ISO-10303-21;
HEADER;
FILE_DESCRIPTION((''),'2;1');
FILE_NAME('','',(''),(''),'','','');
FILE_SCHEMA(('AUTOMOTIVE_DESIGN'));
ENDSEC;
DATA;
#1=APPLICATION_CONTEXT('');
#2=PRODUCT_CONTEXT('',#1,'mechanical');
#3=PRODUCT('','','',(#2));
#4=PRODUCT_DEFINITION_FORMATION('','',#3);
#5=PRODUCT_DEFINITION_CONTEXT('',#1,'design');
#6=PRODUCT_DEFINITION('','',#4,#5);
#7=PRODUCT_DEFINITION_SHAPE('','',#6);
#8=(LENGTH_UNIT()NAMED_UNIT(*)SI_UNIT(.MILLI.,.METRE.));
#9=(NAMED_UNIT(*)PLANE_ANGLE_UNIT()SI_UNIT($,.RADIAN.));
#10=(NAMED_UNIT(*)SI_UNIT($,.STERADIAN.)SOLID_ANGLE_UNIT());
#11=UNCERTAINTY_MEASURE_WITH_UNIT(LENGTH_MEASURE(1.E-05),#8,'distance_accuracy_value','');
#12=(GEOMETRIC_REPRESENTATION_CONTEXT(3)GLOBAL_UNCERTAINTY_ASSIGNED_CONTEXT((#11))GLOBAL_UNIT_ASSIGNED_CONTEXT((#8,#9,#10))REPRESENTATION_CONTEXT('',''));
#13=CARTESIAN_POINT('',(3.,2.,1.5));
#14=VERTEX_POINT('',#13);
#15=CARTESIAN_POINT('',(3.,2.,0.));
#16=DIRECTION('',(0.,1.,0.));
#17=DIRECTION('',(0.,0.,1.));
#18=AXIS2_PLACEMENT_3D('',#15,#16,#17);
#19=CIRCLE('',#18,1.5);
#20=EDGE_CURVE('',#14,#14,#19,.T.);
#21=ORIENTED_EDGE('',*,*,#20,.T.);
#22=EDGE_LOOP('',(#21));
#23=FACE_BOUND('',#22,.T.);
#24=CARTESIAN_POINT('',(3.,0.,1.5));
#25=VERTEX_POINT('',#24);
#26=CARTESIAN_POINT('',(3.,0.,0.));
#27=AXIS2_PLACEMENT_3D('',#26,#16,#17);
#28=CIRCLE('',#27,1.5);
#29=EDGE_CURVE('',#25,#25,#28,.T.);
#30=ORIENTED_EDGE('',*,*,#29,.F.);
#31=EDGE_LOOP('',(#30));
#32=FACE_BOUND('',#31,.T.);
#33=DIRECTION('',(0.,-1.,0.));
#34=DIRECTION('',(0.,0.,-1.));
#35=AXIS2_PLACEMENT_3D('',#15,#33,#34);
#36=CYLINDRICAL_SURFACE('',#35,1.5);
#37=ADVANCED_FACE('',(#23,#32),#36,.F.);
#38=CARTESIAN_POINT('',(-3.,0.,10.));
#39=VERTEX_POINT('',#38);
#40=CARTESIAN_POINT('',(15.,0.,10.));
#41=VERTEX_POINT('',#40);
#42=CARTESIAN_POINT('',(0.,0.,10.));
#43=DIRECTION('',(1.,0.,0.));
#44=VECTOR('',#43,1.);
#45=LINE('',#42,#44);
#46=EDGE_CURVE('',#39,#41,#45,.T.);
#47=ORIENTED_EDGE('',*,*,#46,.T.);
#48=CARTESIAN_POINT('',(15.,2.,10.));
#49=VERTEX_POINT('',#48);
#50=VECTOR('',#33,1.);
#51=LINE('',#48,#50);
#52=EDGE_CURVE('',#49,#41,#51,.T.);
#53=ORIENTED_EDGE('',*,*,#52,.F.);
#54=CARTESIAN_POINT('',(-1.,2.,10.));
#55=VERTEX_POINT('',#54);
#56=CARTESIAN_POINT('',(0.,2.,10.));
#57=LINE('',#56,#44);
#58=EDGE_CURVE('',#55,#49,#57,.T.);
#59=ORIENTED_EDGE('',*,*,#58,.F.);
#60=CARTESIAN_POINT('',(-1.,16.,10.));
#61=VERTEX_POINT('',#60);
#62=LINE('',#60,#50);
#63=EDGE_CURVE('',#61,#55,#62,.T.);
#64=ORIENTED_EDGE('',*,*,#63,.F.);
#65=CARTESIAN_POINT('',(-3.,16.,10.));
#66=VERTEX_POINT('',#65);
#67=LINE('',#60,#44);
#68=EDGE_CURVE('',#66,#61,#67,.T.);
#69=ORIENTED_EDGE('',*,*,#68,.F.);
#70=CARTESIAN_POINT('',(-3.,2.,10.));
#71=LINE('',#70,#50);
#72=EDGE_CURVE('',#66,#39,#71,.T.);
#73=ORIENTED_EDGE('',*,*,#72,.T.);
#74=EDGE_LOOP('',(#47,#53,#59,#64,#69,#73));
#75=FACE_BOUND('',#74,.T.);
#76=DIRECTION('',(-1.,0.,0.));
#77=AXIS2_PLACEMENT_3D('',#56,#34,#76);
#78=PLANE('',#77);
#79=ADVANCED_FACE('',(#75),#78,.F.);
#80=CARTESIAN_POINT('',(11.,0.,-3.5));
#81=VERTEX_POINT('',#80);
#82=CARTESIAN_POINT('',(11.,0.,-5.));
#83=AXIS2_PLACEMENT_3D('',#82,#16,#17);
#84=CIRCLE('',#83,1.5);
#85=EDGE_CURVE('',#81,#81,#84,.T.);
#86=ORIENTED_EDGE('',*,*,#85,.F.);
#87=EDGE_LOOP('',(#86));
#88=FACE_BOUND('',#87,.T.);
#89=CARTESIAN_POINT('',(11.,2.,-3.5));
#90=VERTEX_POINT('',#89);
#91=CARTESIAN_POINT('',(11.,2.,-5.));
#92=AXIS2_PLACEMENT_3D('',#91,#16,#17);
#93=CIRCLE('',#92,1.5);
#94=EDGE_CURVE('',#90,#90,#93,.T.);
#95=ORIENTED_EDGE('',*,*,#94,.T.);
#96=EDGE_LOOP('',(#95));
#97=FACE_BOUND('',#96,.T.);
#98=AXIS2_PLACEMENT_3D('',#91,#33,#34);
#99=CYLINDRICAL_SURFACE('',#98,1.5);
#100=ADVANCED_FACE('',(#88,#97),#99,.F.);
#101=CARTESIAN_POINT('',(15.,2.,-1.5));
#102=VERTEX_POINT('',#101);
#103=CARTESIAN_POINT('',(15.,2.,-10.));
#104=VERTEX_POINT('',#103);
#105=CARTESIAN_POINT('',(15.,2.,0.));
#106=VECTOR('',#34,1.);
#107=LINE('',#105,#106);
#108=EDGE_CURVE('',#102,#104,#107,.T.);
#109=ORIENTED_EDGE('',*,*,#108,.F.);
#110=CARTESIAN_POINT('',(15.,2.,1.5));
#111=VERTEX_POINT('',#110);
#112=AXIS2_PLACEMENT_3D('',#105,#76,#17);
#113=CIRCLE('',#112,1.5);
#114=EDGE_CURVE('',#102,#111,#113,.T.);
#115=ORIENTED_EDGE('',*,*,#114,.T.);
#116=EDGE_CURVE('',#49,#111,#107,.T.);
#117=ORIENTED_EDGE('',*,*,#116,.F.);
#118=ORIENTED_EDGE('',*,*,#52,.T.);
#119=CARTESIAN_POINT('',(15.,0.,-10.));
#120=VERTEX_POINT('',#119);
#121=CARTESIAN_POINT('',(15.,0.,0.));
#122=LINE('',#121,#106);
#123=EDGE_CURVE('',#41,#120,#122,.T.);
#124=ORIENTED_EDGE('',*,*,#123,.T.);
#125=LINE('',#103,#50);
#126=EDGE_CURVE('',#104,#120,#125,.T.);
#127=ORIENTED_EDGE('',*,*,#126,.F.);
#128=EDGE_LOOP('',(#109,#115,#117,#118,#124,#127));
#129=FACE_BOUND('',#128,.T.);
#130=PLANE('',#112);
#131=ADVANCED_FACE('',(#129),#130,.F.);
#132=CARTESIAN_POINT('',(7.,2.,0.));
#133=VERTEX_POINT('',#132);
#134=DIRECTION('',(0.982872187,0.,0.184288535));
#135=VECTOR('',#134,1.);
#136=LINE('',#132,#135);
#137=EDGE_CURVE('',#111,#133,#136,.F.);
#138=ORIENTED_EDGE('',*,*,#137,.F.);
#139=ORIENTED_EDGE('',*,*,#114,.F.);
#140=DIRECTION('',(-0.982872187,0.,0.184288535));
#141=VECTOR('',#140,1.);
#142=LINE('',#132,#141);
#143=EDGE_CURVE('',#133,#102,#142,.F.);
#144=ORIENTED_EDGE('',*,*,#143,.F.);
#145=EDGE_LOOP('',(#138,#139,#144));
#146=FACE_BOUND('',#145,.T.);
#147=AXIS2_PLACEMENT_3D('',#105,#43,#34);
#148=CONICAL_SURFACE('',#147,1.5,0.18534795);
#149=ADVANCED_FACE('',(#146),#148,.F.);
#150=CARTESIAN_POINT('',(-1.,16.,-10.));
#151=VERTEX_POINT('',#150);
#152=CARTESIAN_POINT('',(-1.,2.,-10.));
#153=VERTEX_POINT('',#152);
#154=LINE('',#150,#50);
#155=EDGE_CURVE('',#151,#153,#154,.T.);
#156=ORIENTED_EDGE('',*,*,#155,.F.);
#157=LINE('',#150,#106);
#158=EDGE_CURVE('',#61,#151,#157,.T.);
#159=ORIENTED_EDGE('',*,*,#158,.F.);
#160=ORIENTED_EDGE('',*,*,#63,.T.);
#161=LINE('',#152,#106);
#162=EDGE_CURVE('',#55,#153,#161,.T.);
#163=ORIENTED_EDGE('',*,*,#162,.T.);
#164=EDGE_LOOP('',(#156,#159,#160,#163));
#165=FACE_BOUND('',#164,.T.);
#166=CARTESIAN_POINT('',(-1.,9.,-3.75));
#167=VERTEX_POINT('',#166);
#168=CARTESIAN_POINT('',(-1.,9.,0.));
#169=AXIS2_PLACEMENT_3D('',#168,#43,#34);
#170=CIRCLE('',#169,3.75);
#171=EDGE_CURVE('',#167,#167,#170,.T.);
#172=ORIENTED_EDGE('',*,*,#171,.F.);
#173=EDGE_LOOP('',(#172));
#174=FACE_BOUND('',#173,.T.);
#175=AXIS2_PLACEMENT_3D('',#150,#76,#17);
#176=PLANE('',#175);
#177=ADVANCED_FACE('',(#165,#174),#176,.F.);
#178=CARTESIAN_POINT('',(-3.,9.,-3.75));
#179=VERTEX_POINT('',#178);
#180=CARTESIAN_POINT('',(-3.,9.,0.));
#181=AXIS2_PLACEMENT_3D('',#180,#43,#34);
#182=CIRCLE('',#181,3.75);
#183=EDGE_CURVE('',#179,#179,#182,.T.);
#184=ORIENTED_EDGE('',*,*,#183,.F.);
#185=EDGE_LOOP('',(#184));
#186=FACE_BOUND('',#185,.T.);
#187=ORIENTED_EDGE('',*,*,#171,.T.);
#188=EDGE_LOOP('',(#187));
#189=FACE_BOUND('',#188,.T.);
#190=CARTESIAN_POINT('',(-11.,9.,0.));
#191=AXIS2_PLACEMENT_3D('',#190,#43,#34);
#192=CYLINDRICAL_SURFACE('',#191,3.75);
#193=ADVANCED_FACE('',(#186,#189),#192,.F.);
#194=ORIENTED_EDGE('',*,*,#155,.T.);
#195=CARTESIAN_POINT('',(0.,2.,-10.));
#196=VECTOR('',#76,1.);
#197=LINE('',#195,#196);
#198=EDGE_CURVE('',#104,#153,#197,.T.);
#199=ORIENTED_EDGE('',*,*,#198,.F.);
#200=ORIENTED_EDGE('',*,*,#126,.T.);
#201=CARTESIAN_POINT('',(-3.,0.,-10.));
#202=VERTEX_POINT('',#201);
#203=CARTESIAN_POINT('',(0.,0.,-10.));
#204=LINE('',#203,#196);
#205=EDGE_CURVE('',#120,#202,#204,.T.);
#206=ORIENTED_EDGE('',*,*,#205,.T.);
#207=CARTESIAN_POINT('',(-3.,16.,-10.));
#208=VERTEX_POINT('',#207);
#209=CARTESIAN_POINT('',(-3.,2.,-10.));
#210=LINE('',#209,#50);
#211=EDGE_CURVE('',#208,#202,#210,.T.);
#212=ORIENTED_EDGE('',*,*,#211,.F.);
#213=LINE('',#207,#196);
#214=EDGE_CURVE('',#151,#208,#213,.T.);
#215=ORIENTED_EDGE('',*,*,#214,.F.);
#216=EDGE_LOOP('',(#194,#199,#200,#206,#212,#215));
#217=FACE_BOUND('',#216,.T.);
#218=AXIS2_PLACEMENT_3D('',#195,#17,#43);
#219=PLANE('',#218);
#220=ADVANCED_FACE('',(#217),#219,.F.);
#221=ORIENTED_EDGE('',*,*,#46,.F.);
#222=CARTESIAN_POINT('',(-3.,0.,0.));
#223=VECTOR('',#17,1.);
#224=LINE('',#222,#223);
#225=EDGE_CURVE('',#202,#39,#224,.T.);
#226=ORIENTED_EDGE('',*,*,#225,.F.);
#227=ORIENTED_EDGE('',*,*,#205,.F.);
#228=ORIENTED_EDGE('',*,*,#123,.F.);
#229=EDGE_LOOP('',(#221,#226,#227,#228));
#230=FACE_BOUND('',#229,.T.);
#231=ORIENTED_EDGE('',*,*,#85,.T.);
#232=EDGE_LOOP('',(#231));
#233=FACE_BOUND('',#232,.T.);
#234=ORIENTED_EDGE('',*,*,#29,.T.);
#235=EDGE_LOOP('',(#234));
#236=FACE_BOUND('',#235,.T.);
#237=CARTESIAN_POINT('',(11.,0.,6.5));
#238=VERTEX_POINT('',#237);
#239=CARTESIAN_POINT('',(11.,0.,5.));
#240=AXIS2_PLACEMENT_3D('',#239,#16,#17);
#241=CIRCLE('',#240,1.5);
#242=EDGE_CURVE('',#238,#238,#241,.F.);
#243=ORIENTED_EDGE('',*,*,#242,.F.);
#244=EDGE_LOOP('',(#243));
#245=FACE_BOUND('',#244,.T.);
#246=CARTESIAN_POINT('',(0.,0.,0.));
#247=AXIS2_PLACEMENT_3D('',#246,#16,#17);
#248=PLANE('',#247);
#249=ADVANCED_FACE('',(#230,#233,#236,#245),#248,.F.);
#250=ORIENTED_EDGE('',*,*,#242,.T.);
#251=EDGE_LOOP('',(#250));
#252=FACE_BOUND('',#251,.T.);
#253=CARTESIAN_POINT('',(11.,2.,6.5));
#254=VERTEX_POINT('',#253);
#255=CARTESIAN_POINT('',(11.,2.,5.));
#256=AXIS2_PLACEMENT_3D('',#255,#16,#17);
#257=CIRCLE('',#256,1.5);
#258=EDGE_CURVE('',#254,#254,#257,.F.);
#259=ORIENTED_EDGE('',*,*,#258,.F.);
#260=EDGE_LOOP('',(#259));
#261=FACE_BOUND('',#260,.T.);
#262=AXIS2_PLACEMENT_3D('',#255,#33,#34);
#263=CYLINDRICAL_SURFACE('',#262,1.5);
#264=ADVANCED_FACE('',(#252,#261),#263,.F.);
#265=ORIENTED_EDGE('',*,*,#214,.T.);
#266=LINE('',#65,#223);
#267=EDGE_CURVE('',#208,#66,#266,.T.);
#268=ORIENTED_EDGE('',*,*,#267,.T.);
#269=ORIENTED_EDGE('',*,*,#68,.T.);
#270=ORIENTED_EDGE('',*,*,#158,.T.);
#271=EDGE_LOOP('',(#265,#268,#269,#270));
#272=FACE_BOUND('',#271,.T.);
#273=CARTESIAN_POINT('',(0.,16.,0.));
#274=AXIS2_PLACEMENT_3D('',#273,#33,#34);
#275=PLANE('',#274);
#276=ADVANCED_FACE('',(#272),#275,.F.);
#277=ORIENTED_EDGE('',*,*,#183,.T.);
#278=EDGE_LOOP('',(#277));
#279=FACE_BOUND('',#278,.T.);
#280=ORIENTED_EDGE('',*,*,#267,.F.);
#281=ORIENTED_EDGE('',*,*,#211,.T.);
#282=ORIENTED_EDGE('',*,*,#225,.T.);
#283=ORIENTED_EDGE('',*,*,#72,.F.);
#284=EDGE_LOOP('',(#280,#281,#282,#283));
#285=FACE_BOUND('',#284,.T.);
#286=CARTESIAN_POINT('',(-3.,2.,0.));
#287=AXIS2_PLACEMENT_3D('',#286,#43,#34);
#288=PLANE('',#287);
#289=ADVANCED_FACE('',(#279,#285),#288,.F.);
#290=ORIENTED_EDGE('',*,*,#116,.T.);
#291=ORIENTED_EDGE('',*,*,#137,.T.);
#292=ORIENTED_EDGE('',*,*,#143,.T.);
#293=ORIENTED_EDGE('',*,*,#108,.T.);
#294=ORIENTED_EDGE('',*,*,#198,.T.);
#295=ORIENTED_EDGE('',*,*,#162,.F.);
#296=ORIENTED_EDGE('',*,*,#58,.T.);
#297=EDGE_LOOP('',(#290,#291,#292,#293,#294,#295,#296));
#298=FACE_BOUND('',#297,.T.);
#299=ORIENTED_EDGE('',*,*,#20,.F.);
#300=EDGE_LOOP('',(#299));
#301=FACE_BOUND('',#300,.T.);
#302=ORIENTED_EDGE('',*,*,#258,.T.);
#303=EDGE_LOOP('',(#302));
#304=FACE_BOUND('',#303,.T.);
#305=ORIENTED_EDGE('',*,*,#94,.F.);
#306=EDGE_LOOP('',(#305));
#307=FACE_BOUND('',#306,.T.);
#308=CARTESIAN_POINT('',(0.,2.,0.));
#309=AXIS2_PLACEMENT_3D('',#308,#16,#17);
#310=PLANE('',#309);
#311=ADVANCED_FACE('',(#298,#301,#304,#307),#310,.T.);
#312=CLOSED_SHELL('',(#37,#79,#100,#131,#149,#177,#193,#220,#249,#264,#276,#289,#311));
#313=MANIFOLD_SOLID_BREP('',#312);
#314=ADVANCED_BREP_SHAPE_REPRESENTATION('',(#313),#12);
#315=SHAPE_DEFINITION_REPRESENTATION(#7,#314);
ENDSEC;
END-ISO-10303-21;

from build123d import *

# Parameters (mm, degrees)
SKETCH_1_R          = 1.5
EXTRUDE_1_DEPTH     = 2
SKETCH_2_W          = 2
SKETCH_2_H          = 20
EXTRUDE_2_DEPTH     = 14
SKETCH_4_R          = 3.75
CUT_EXTRUDE_1_DEPTH = 10


with BuildPart() as part:
    # 草图1 → 凸台-拉伸1 (new body)
    with BuildSketch(Plane(origin=(0, 0, 0), x_dir=(1, 0, 0), z_dir=(0, 1, 0))):
        Polygon((-3, 0), (-3, -10), (15, -10), (15, 10), (-3, 10), align=None)
        with Locations((3, 0)):
            Circle(SKETCH_1_R, mode=Mode.SUBTRACT)
        with Locations((11, 5)):
            Circle(SKETCH_1_R, mode=Mode.SUBTRACT)
        with Locations((11, -5)):
            Circle(SKETCH_1_R, mode=Mode.SUBTRACT)
    extrude(amount=EXTRUDE_1_DEPTH)

    # 草图2 → 凸台-拉伸2 (add)
    with BuildSketch(Plane(origin=(0, 2, 0), x_dir=(1, 0, 0), z_dir=(0, 1, 0))):
        with Locations((-2, 0)):
            Rectangle(SKETCH_2_W, SKETCH_2_H)
    extrude(amount=EXTRUDE_2_DEPTH)

    # 草图4 → 切除-拉伸1 (cut)
    with BuildSketch(Plane(origin=(-1, 0, 0), x_dir=(0, 0, -1), z_dir=(1, 0, 0))):
        with Locations((0, 9)):
            Circle(SKETCH_4_R)
    extrude(amount=-CUT_EXTRUDE_1_DEPTH, mode=Mode.SUBTRACT)

    # 草图7 → 切除-旋转1 (revolve, cut)
    with BuildSketch(Plane(origin=(0, 2, 0), x_dir=(1, 0, 0), z_dir=(0, 1, 0))):
        Polygon((7, 0), (15, 0), (15, 1.5), align=None)
    revolve(axis=Axis((7, 2, 0), (1, 0, 0)), mode=Mode.SUBTRACT)


solid = part.part
